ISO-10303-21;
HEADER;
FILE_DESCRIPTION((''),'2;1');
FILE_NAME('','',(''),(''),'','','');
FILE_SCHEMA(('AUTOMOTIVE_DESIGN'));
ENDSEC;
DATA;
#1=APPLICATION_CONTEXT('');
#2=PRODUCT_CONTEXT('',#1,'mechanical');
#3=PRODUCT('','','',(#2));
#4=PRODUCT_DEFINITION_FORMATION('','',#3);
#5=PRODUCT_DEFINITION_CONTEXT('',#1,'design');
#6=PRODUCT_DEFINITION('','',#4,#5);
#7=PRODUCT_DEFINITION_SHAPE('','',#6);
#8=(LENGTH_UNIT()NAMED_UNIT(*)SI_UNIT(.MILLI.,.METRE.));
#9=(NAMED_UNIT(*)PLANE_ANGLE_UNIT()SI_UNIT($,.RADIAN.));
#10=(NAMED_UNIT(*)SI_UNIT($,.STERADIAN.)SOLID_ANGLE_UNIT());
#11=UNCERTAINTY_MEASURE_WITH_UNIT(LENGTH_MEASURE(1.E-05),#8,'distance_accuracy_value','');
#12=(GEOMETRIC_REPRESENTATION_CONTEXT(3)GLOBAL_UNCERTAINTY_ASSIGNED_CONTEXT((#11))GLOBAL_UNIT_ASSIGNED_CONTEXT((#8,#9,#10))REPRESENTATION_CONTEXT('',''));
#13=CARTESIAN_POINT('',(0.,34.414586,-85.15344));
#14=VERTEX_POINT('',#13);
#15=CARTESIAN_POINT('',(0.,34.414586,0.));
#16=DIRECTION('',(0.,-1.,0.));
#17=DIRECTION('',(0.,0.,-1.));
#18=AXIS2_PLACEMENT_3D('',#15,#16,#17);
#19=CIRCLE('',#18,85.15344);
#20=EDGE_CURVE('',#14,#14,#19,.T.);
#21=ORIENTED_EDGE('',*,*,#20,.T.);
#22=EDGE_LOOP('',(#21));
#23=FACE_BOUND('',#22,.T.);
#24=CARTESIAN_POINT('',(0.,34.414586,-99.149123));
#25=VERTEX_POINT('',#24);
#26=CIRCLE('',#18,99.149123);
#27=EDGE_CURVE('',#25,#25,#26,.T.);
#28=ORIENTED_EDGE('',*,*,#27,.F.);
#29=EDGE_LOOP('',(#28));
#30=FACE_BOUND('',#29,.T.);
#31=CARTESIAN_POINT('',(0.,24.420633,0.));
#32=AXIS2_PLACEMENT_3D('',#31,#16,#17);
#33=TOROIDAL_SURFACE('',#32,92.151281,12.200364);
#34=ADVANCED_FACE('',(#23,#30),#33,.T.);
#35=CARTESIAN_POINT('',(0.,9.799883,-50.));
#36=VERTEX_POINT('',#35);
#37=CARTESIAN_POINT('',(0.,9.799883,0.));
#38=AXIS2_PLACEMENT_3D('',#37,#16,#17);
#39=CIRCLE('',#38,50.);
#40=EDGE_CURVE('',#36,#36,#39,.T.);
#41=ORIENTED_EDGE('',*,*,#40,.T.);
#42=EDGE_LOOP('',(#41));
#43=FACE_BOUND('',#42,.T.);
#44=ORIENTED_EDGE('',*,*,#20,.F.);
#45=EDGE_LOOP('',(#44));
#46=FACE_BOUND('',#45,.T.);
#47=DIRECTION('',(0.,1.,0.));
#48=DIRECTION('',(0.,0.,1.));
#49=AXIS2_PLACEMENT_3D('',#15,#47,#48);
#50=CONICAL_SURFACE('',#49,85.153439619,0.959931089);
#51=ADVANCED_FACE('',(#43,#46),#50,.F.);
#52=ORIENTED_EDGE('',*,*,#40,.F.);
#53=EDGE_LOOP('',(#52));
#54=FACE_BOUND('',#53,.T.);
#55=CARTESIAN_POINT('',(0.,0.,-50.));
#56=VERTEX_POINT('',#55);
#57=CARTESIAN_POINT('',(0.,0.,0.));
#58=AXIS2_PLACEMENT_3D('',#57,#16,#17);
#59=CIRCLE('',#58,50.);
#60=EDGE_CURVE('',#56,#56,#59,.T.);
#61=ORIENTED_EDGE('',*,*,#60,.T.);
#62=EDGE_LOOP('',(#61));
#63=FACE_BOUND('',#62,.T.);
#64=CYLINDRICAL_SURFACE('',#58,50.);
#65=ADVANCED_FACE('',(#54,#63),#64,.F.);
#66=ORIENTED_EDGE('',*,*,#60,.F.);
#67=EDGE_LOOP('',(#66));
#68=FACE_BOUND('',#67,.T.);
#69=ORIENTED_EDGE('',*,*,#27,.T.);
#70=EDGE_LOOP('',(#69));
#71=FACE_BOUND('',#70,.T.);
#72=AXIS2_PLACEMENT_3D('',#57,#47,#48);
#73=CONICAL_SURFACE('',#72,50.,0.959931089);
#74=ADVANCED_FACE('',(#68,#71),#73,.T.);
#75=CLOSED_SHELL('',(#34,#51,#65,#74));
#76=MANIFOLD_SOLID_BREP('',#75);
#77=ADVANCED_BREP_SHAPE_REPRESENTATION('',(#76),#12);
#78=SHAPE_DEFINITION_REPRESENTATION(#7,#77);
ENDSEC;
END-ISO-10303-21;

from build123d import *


with BuildPart() as part:
    # Sketch1 → Revolve1 (revolve)
    with BuildSketch(Plane.XY, mode=Mode.PRIVATE) as revolve1_sk:
        with BuildLine():
            Line((50, 0), (99.149122657, 34.414586181))
            ThreePointArc((99.149122657, 34.414586181), (92.151281138, 36.620997137), (85.153439619, 34.414586181))
            Line((85.153439619, 34.414586181), (50, 9.799882766))
            Line((50, 9.799882766), (50, 0))
        make_face()
    revolve(revolve1_sk.sketch.rotate(Axis((0, 0, 0), (0, 1, 0)), 90), axis=Axis((0, 0, 0), (0, 1, 0)))


solid = part.part
